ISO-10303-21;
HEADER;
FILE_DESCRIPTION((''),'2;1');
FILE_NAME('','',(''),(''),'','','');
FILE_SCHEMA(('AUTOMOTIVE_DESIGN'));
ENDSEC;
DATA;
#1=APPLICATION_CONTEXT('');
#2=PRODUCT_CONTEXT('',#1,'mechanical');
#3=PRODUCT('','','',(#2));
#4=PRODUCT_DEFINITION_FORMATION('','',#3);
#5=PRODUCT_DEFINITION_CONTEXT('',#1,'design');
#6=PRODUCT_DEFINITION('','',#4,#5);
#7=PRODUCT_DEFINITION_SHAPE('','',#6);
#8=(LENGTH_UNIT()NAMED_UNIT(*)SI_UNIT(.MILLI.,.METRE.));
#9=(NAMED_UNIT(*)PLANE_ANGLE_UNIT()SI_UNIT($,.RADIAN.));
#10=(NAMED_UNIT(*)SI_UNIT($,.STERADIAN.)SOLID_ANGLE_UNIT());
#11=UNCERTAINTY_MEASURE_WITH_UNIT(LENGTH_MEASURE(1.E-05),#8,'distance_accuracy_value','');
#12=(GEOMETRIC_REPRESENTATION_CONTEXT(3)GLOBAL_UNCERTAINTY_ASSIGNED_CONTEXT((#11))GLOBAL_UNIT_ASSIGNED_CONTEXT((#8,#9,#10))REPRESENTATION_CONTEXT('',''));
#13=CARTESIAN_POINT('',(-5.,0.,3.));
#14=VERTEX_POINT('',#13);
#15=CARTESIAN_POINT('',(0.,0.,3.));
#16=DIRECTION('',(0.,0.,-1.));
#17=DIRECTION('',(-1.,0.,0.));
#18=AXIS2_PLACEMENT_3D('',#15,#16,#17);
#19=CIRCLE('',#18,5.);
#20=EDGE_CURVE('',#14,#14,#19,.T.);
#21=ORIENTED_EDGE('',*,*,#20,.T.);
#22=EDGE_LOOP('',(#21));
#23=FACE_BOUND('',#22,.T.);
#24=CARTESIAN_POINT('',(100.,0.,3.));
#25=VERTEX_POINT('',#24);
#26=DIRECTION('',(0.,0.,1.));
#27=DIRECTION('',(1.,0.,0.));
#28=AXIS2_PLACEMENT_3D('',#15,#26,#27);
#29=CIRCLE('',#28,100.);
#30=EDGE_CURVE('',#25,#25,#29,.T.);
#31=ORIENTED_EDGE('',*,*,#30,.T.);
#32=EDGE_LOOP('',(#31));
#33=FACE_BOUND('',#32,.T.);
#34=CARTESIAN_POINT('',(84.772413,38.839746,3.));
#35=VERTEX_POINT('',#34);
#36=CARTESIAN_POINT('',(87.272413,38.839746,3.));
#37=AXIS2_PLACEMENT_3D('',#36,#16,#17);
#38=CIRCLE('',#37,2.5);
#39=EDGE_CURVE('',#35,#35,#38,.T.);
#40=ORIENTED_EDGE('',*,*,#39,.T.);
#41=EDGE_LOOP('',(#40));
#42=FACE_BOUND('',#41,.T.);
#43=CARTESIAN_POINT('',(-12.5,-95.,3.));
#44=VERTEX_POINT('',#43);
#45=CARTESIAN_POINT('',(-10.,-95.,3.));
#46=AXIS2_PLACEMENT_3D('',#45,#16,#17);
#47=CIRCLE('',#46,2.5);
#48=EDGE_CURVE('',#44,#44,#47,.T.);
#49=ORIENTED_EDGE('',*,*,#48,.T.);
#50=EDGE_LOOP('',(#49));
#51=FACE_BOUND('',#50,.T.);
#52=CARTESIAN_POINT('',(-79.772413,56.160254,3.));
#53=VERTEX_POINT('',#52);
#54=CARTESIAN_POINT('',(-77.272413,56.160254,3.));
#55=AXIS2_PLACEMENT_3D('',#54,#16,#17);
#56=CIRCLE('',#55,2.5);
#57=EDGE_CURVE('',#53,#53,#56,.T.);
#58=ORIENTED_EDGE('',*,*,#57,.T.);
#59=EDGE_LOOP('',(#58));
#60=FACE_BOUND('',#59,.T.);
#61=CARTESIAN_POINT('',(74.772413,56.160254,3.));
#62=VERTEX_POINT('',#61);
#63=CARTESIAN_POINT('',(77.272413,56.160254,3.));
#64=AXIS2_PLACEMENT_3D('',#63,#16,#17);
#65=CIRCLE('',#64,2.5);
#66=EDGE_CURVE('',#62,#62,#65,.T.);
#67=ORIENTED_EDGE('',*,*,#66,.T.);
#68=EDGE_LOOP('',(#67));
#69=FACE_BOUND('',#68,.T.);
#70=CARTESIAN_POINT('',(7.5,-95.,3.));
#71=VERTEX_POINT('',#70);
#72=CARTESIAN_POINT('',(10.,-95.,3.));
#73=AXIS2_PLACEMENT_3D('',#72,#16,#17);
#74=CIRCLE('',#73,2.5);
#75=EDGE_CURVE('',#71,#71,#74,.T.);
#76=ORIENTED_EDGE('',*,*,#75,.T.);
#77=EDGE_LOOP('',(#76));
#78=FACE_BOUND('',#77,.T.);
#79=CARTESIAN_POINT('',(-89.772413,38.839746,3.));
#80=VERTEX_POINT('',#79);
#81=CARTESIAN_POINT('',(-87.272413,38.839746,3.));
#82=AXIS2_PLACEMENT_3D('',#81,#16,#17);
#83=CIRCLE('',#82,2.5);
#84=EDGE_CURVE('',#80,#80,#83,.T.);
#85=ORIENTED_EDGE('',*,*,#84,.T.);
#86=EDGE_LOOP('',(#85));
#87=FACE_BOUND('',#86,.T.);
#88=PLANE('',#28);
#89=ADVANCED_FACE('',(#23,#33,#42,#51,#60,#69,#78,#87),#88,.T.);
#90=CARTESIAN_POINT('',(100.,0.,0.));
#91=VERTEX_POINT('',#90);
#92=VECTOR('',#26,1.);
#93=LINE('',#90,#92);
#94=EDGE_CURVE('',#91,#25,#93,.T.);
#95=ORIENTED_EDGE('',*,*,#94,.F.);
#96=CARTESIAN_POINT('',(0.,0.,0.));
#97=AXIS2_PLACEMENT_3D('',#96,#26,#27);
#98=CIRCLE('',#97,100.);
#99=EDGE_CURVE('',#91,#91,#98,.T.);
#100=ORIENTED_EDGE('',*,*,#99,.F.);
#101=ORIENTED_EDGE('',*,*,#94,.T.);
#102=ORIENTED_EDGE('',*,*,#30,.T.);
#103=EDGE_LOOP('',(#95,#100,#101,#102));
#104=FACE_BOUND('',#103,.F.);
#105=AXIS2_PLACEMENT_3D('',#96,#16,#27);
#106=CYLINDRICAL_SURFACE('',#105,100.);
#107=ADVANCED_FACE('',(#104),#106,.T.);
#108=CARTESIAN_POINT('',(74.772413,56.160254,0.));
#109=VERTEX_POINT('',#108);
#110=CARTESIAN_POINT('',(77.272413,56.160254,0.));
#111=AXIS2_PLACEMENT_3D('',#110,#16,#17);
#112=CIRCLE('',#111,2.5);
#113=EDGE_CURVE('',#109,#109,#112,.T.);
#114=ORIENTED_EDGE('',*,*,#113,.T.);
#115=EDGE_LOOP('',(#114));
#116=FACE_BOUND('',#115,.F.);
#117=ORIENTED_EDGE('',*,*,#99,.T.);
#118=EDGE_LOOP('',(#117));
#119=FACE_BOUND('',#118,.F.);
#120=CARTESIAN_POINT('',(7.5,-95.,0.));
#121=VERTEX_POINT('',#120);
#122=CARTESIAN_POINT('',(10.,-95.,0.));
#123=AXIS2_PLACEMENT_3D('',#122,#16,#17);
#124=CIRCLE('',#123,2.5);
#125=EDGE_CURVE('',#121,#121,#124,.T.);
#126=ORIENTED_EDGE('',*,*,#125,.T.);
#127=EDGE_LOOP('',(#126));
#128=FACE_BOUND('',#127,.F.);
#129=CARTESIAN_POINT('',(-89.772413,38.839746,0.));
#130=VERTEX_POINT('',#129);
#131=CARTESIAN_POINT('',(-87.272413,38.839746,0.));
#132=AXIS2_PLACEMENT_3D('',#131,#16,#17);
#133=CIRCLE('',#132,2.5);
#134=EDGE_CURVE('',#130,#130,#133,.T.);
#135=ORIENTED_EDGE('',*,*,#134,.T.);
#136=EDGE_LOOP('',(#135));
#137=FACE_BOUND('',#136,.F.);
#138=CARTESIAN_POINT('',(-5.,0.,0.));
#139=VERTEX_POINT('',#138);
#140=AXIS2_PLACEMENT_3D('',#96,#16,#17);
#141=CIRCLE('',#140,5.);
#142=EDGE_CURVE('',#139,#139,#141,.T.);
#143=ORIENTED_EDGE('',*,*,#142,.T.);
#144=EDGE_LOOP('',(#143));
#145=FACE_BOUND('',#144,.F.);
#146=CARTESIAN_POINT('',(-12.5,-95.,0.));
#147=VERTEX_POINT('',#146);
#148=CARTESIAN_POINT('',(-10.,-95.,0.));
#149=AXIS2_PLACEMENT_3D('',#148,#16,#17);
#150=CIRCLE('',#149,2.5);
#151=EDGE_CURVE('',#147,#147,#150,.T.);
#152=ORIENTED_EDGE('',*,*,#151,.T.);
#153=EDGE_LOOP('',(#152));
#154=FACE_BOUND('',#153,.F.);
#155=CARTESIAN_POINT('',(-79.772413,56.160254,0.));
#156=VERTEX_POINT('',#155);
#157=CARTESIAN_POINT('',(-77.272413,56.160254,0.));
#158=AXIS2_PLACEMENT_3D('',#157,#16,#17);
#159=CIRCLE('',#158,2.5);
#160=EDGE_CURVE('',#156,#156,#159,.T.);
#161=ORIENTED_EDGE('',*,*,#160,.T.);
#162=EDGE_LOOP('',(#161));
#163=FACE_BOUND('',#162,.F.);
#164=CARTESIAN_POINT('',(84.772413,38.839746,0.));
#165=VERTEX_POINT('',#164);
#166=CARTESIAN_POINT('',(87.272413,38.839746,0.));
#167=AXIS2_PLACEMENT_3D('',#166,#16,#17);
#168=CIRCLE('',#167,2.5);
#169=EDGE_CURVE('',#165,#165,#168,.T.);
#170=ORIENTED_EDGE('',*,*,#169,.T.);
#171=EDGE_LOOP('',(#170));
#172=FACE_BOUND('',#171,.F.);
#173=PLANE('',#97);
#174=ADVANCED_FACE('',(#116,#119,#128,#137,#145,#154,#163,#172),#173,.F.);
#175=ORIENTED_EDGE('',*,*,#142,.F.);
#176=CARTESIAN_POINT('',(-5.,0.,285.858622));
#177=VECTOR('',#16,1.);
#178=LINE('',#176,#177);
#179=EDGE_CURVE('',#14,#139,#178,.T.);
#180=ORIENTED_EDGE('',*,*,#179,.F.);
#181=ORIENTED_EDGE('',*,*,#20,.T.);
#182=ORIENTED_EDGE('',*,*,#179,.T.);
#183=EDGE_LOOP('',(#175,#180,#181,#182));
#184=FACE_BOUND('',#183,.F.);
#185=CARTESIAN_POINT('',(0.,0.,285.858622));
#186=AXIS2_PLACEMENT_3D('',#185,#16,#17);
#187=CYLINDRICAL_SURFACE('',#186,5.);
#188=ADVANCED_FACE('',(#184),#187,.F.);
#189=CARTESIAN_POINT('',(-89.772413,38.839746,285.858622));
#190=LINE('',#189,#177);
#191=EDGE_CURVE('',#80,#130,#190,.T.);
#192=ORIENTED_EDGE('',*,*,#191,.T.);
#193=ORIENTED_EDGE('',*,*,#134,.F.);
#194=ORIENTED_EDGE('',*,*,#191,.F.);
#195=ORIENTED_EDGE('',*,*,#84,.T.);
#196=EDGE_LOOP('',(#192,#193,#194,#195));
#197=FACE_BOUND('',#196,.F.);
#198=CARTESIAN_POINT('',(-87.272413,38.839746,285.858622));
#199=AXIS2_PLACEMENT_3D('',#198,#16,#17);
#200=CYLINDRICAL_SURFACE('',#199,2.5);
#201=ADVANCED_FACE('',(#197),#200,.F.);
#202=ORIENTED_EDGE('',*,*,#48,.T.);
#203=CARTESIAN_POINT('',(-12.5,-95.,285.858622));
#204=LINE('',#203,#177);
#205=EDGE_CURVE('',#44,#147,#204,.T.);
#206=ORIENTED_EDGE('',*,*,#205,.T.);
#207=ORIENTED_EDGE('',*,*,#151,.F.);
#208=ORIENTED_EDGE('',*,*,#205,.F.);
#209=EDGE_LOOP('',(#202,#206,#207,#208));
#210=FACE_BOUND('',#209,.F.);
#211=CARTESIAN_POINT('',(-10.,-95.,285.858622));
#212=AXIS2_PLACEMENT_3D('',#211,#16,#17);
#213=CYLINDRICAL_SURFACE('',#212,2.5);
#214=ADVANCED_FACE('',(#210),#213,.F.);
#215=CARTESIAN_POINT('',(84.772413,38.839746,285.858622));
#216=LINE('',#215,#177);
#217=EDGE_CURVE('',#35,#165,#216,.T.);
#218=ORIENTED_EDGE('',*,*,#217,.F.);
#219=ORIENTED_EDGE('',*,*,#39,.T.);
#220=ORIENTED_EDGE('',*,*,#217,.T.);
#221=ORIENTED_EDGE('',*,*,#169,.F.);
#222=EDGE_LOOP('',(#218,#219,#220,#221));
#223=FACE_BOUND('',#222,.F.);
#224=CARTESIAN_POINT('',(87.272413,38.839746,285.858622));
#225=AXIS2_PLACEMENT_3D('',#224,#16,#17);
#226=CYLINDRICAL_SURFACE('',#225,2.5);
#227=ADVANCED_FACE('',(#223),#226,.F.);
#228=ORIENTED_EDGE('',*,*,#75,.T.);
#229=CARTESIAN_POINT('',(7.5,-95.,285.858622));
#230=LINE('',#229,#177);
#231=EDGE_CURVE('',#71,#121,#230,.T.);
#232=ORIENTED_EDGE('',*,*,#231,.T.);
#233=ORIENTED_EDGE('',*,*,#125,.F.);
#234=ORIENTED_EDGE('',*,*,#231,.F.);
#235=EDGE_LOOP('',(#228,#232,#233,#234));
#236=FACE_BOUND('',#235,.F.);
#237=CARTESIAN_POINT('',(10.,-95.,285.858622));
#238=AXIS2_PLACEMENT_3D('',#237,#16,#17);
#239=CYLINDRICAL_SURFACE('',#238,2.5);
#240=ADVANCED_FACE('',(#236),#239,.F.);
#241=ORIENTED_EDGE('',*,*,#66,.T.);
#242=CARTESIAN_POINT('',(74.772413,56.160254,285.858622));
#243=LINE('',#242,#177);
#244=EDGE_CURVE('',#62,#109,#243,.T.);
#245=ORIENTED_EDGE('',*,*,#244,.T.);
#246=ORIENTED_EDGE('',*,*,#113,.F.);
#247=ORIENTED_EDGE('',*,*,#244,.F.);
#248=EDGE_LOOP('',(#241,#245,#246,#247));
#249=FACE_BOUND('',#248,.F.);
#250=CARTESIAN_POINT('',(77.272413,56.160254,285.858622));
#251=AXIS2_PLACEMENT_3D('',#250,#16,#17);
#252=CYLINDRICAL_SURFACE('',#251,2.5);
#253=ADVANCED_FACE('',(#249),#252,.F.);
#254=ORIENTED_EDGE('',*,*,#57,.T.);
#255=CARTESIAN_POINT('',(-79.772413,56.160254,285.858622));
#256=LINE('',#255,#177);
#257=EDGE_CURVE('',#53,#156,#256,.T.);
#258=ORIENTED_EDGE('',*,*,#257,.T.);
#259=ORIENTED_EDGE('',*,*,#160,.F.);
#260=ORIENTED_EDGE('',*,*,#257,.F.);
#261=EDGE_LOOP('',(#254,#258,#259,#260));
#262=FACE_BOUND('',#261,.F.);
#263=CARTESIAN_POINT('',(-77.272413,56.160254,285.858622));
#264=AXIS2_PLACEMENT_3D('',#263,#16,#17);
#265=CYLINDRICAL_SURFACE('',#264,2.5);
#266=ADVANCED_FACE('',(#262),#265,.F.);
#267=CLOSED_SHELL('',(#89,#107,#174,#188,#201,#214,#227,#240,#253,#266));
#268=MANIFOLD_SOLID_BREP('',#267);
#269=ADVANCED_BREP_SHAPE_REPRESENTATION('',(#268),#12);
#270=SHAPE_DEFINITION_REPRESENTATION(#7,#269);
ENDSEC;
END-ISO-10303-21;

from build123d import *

# Parameters (mm, degrees)
F0_R     = 100
F1_DEPTH = 3
F3_D     = 10
F4_D     = 5


with BuildPart() as f1:
    # F0 (on Top) → F1 (new body)
    with BuildSketch(Plane.XY):
        Circle(F0_R)
    extrude(amount=F1_DEPTH)

    # F3 (through all)
    with Locations(Plane.XY.offset(3)):
        with Locations((0, 0)):
            Hole(F3_D / 2)

    # F4 (through all)
    with Locations(Plane.XY.offset(3)):
        with Locations((-10, -95), (10, -95), (87.272413, 38.839746), (77.272413, 56.160254), (-77.272413, 56.160254), (-87.272413, 38.839746)):
            Hole(F4_D / 2)


solid = f1.part
